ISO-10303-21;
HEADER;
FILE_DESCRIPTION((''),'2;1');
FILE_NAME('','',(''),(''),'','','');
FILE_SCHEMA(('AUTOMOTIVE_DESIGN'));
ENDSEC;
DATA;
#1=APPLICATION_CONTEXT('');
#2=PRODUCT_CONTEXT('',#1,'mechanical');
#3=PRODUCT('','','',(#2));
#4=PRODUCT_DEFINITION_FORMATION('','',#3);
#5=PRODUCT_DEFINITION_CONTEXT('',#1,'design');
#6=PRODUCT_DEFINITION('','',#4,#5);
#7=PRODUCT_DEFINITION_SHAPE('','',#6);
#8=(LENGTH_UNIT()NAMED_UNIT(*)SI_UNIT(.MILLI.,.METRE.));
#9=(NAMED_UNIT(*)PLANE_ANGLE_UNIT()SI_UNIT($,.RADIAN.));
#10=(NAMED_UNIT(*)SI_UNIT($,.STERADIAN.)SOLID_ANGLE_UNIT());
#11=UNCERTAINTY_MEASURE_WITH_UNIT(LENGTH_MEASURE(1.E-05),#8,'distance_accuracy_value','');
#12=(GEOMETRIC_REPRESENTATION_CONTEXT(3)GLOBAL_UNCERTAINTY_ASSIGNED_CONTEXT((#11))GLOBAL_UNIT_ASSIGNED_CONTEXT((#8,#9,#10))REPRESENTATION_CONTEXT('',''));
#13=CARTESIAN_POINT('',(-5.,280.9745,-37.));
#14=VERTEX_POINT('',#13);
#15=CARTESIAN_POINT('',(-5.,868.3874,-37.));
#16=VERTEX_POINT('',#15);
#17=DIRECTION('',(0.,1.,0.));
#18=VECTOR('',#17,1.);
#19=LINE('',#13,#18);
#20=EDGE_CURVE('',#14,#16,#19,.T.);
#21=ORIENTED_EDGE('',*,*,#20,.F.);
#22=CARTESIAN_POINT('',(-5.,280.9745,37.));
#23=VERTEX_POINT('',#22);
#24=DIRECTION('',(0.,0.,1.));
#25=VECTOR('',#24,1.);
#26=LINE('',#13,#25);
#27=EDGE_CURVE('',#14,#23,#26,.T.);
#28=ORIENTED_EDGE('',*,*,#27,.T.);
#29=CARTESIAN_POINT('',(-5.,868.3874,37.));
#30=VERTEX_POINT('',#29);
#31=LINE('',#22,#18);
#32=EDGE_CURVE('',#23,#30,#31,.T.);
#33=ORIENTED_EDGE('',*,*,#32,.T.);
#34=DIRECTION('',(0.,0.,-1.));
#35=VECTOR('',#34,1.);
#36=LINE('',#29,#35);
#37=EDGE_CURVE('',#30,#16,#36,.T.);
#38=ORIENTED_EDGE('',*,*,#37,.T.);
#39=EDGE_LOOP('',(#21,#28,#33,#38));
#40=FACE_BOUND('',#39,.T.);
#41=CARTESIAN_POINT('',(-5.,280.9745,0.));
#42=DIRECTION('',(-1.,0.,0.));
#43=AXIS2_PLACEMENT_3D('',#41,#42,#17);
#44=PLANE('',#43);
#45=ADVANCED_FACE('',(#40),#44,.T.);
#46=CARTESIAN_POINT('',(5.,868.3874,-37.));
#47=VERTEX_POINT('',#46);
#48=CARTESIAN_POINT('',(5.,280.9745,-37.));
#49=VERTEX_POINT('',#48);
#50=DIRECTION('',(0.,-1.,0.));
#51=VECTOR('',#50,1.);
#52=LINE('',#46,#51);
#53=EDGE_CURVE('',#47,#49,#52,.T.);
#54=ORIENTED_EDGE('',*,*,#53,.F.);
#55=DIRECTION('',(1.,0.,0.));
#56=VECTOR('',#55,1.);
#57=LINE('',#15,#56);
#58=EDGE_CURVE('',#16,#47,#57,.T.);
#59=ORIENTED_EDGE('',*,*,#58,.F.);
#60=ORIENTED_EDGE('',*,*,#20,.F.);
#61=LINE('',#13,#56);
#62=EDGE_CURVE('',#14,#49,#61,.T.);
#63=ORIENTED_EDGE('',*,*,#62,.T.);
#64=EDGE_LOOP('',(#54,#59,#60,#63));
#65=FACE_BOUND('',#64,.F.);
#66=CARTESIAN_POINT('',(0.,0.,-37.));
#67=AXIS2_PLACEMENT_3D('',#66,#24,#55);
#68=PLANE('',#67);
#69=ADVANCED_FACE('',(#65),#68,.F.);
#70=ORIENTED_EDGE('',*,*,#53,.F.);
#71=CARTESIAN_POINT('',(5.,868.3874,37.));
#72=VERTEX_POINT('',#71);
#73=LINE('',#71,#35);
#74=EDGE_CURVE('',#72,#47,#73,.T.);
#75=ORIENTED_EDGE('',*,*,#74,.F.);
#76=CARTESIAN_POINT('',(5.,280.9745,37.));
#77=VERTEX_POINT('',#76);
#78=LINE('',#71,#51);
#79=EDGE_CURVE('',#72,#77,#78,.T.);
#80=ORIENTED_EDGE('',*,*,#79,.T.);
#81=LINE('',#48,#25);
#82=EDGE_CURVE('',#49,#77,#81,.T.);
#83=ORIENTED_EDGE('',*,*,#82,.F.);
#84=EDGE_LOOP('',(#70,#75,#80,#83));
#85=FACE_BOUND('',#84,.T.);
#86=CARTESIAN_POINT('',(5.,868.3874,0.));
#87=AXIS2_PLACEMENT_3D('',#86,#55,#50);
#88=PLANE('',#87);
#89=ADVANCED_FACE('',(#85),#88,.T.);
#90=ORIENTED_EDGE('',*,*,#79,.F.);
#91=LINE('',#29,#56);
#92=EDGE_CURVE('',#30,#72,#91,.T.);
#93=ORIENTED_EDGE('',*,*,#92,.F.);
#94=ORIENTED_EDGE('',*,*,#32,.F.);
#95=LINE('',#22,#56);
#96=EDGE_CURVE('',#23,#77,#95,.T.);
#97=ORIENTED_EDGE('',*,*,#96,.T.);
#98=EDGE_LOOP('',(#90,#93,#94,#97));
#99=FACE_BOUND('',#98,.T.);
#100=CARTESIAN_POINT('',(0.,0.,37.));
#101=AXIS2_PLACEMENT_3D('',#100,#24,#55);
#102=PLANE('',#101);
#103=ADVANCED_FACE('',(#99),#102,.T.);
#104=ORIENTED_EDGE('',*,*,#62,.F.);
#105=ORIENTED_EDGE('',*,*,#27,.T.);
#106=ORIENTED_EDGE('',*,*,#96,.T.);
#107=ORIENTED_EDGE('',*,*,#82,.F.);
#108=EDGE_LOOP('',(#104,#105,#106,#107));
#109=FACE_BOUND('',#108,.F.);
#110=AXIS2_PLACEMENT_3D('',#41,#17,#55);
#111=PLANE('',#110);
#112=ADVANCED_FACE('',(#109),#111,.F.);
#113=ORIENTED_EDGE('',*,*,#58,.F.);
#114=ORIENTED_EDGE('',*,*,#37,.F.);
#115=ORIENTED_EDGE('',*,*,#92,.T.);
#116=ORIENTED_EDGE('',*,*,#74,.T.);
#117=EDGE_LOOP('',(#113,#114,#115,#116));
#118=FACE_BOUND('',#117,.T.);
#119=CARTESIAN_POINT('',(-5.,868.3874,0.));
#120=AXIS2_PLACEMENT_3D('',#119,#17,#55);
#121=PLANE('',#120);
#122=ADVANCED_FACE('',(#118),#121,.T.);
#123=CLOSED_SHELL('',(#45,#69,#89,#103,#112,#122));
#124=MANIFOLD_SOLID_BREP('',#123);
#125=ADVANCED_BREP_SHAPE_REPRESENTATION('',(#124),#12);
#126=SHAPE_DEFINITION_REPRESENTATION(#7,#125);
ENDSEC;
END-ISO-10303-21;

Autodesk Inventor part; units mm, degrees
ref_plane "YZ Plane" through (0, 0, 0) normal (1, 0, 0) x (0, 1, 0)
ref_plane "XZ Plane" through (0, 0, 0) normal (0, 1, 0) x (-1, 0, 0)
ref_plane "XY Plane" through (0, 0, 0) normal (0, 0, 1) x (1, 0, 0)
sketch "Sketch1" plane through (0, 0, 0) normal (0, 0, 1) x (1, 0, 0)
  line L0 (0, 277.6336) -> (196.3166, 196.3166) construction
  line L1 (196.3166, 196.3166) -> (277.6336, 0) construction
  line L2 (277.6336, 0) -> (196.3166, -196.3166) construction
  line L3 (196.3166, -196.3166) -> (0, -277.6336) construction
  line L4 (0, -277.6336) -> (-196.3166, -196.3166) construction
  line L5 (-196.3166, -196.3166) -> (-277.6336, 0) construction
  line L6 (-277.6336, 0) -> (-196.3166, 196.3166) construction
  line L7 (-196.3166, 196.3166) -> (0, 277.6336) construction
  line L8 (-196.3166, 196.3166) -> (0, 277.6336) construction
  line L9 (-461.2666, 773.8898) -> (-221.0579, 873.3874) construction
  line L10 (-98.1583, 236.9751) -> (-341.1623, 823.6386) construction
  line L11 (-221.0579, 873.3874) -> (0, 873.3874) construction
  line L12 (0, 873.3874) -> (0, 277.6336) construction
  line L13 (-461.2666, 773.8898) -> (-617.5782, 617.5782) construction
  line L14 (-617.5782, 617.5782) -> (-196.3166, 196.3166) construction
  line L15 (-5, 868.3874) -> (-220.0634, 868.3874) construction
  line L16 (-220.0634, 868.3874) -> (-458.4343, 769.651) construction
  line L17 (-458.4343, 769.651) -> (-610.5071, 617.5782) construction
  line L18 (-610.5071, 617.5782) -> (-195.1434, 202.2145) construction
  line L19 (-195.1434, 202.2145) -> (-5, 280.9745) construction
  line L20 (-5, 280.9745) -> (-5, 868.3874)
  line L21 (-5, 868.3874) -> (-5, 280.9745) construction
  line L22 (5, 868.3874) -> (5, 280.9745)
  line L23 (-5, 280.9745) -> (5, 280.9745)
  line L24 (-5, 868.3874) -> (5, 868.3874)
  point P0 (0, 0)
  point P1 (0, 0)
  point P2 (0, 0)
  dimension "d0" = 513
  dimension "d1" = 260
  dimension "d2" = 635
  dimension "d6" = 5
extrude "Extrusion1" add sketch "Sketch1" along normal mid plane 74
equation "\"d0\" = Барабан_габарит_по_кассетам"
equation "\"d1\" = Кассета_длина_грани"
equation "\"d2\" = Кассета_высота"
equation "\"Барабан_габарит_по_кассетам\" = 513"
equation "\"Кассета_длина_грани\" = 260"
equation "\"Кассета_высота\" = 635"
properties part number "DMF 01 58 Фиксатор расстояния кассет v2.1"
